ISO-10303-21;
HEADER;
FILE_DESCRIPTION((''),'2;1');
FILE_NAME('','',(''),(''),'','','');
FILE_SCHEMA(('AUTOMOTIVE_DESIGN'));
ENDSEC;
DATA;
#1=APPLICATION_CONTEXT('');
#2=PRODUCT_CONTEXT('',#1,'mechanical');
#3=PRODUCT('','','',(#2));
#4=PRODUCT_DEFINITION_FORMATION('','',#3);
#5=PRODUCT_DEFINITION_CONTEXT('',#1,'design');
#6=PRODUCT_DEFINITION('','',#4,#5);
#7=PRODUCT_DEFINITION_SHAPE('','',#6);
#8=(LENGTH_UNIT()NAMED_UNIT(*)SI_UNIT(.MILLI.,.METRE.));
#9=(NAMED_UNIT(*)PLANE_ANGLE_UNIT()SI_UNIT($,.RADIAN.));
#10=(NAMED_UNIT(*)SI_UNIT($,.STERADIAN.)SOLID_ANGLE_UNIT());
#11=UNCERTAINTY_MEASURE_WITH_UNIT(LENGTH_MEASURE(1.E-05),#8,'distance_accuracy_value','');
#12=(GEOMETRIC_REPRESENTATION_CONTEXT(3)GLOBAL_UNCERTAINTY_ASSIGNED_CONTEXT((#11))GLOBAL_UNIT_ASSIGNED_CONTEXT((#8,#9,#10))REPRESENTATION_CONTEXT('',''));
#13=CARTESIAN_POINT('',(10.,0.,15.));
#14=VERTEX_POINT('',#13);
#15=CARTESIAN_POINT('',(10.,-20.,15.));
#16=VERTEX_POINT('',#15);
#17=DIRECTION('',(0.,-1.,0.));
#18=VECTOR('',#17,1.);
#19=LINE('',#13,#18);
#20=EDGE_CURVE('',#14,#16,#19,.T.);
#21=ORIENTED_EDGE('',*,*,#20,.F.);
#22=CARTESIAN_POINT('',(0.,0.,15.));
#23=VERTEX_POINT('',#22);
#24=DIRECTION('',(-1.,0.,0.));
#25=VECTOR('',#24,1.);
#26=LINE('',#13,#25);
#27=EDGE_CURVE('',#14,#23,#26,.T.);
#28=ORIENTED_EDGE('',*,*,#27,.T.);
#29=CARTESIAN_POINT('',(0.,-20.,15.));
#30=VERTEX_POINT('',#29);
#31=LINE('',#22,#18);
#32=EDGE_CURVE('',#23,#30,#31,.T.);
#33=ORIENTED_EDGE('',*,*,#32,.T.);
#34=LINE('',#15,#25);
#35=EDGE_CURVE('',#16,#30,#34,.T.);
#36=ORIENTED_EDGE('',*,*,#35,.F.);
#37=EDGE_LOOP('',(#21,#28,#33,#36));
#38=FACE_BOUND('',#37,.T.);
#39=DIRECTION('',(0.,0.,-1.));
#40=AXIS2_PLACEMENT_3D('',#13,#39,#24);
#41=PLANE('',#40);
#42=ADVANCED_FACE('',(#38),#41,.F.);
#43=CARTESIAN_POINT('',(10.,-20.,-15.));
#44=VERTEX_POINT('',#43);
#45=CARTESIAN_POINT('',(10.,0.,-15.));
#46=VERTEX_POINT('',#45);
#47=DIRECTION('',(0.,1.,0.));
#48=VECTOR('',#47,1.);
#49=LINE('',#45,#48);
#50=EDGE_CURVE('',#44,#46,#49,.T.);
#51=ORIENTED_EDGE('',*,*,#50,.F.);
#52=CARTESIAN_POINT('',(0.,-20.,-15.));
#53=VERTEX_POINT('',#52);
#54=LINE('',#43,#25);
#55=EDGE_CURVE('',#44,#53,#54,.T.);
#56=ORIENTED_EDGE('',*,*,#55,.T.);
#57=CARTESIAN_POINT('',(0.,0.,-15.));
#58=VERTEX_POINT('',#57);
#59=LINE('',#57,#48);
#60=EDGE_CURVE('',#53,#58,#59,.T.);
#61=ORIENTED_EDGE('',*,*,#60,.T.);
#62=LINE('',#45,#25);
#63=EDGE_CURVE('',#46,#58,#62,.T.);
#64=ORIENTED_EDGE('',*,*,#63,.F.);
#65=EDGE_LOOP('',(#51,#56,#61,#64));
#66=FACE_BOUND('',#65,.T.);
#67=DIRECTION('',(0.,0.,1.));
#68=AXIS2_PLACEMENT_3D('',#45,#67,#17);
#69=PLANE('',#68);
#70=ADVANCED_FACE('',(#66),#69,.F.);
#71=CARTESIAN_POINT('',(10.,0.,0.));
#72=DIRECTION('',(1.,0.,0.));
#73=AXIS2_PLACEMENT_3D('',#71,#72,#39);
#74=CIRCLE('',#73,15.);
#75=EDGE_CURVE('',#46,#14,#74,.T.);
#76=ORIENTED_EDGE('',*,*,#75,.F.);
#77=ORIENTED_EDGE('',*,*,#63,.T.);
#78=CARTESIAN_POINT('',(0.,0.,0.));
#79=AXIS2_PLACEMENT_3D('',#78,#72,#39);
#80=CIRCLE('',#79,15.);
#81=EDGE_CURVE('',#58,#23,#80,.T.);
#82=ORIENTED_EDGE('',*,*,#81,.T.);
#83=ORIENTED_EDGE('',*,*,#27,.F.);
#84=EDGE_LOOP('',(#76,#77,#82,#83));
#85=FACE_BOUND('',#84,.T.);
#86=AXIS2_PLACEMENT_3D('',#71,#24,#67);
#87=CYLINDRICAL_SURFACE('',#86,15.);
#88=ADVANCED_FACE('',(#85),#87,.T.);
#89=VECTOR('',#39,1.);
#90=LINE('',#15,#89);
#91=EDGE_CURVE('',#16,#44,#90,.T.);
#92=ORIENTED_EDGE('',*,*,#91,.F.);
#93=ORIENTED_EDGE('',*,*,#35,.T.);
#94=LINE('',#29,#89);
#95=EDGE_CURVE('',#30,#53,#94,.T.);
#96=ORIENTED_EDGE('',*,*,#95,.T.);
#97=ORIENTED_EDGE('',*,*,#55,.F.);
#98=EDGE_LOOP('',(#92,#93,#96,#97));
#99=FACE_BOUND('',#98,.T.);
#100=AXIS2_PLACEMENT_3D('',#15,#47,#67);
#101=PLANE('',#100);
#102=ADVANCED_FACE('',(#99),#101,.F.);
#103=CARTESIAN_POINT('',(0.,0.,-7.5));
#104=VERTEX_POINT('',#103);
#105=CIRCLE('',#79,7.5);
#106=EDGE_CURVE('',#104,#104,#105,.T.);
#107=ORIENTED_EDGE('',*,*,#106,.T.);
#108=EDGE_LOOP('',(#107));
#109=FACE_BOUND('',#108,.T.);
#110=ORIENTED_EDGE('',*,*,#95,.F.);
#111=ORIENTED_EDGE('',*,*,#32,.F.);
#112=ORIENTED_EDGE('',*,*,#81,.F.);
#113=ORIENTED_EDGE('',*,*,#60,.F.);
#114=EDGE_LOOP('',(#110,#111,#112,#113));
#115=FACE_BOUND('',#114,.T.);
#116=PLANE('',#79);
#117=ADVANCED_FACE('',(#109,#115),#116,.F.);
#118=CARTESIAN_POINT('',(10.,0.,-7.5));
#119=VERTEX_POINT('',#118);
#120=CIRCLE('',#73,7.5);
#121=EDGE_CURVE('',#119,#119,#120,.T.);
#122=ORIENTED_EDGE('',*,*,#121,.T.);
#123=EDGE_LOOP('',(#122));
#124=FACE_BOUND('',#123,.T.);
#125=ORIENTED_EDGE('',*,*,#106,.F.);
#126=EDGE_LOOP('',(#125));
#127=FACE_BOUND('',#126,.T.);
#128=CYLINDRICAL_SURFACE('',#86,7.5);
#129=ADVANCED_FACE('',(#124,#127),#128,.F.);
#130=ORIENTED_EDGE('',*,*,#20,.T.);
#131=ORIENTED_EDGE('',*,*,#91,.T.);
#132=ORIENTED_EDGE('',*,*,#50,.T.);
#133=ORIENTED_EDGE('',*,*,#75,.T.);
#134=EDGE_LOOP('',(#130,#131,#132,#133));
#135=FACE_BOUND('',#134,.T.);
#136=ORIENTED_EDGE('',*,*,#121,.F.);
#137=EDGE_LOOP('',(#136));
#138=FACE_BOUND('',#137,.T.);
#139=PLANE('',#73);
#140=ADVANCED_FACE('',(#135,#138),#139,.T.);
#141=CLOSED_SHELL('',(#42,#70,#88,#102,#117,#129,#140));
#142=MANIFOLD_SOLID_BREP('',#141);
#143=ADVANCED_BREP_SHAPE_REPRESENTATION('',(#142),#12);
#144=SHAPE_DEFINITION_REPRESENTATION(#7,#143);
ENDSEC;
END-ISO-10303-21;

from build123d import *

# Parameters (mm, degrees)
SKETCH1_R           = 7.5
BOSS_EXTRUDE1_DEPTH = 10


with BuildPart() as part:
    # Sketch1 → Boss-Extrude1 (new body)
    with BuildSketch(Plane(origin=(0, 0, 0), x_dir=(0, 0, -1), z_dir=(1, 0, 0))):
        with BuildLine():
            Line((-15, -20), (15, -20))
            Line((15, -20), (15, 0))
            ThreePointArc((15, 0), (0, 15), (-15, 0))
            Line((-15, 0), (-15, -20))
        make_face()
        Circle(SKETCH1_R, mode=Mode.SUBTRACT)
    extrude(amount=BOSS_EXTRUDE1_DEPTH)


solid = part.part
